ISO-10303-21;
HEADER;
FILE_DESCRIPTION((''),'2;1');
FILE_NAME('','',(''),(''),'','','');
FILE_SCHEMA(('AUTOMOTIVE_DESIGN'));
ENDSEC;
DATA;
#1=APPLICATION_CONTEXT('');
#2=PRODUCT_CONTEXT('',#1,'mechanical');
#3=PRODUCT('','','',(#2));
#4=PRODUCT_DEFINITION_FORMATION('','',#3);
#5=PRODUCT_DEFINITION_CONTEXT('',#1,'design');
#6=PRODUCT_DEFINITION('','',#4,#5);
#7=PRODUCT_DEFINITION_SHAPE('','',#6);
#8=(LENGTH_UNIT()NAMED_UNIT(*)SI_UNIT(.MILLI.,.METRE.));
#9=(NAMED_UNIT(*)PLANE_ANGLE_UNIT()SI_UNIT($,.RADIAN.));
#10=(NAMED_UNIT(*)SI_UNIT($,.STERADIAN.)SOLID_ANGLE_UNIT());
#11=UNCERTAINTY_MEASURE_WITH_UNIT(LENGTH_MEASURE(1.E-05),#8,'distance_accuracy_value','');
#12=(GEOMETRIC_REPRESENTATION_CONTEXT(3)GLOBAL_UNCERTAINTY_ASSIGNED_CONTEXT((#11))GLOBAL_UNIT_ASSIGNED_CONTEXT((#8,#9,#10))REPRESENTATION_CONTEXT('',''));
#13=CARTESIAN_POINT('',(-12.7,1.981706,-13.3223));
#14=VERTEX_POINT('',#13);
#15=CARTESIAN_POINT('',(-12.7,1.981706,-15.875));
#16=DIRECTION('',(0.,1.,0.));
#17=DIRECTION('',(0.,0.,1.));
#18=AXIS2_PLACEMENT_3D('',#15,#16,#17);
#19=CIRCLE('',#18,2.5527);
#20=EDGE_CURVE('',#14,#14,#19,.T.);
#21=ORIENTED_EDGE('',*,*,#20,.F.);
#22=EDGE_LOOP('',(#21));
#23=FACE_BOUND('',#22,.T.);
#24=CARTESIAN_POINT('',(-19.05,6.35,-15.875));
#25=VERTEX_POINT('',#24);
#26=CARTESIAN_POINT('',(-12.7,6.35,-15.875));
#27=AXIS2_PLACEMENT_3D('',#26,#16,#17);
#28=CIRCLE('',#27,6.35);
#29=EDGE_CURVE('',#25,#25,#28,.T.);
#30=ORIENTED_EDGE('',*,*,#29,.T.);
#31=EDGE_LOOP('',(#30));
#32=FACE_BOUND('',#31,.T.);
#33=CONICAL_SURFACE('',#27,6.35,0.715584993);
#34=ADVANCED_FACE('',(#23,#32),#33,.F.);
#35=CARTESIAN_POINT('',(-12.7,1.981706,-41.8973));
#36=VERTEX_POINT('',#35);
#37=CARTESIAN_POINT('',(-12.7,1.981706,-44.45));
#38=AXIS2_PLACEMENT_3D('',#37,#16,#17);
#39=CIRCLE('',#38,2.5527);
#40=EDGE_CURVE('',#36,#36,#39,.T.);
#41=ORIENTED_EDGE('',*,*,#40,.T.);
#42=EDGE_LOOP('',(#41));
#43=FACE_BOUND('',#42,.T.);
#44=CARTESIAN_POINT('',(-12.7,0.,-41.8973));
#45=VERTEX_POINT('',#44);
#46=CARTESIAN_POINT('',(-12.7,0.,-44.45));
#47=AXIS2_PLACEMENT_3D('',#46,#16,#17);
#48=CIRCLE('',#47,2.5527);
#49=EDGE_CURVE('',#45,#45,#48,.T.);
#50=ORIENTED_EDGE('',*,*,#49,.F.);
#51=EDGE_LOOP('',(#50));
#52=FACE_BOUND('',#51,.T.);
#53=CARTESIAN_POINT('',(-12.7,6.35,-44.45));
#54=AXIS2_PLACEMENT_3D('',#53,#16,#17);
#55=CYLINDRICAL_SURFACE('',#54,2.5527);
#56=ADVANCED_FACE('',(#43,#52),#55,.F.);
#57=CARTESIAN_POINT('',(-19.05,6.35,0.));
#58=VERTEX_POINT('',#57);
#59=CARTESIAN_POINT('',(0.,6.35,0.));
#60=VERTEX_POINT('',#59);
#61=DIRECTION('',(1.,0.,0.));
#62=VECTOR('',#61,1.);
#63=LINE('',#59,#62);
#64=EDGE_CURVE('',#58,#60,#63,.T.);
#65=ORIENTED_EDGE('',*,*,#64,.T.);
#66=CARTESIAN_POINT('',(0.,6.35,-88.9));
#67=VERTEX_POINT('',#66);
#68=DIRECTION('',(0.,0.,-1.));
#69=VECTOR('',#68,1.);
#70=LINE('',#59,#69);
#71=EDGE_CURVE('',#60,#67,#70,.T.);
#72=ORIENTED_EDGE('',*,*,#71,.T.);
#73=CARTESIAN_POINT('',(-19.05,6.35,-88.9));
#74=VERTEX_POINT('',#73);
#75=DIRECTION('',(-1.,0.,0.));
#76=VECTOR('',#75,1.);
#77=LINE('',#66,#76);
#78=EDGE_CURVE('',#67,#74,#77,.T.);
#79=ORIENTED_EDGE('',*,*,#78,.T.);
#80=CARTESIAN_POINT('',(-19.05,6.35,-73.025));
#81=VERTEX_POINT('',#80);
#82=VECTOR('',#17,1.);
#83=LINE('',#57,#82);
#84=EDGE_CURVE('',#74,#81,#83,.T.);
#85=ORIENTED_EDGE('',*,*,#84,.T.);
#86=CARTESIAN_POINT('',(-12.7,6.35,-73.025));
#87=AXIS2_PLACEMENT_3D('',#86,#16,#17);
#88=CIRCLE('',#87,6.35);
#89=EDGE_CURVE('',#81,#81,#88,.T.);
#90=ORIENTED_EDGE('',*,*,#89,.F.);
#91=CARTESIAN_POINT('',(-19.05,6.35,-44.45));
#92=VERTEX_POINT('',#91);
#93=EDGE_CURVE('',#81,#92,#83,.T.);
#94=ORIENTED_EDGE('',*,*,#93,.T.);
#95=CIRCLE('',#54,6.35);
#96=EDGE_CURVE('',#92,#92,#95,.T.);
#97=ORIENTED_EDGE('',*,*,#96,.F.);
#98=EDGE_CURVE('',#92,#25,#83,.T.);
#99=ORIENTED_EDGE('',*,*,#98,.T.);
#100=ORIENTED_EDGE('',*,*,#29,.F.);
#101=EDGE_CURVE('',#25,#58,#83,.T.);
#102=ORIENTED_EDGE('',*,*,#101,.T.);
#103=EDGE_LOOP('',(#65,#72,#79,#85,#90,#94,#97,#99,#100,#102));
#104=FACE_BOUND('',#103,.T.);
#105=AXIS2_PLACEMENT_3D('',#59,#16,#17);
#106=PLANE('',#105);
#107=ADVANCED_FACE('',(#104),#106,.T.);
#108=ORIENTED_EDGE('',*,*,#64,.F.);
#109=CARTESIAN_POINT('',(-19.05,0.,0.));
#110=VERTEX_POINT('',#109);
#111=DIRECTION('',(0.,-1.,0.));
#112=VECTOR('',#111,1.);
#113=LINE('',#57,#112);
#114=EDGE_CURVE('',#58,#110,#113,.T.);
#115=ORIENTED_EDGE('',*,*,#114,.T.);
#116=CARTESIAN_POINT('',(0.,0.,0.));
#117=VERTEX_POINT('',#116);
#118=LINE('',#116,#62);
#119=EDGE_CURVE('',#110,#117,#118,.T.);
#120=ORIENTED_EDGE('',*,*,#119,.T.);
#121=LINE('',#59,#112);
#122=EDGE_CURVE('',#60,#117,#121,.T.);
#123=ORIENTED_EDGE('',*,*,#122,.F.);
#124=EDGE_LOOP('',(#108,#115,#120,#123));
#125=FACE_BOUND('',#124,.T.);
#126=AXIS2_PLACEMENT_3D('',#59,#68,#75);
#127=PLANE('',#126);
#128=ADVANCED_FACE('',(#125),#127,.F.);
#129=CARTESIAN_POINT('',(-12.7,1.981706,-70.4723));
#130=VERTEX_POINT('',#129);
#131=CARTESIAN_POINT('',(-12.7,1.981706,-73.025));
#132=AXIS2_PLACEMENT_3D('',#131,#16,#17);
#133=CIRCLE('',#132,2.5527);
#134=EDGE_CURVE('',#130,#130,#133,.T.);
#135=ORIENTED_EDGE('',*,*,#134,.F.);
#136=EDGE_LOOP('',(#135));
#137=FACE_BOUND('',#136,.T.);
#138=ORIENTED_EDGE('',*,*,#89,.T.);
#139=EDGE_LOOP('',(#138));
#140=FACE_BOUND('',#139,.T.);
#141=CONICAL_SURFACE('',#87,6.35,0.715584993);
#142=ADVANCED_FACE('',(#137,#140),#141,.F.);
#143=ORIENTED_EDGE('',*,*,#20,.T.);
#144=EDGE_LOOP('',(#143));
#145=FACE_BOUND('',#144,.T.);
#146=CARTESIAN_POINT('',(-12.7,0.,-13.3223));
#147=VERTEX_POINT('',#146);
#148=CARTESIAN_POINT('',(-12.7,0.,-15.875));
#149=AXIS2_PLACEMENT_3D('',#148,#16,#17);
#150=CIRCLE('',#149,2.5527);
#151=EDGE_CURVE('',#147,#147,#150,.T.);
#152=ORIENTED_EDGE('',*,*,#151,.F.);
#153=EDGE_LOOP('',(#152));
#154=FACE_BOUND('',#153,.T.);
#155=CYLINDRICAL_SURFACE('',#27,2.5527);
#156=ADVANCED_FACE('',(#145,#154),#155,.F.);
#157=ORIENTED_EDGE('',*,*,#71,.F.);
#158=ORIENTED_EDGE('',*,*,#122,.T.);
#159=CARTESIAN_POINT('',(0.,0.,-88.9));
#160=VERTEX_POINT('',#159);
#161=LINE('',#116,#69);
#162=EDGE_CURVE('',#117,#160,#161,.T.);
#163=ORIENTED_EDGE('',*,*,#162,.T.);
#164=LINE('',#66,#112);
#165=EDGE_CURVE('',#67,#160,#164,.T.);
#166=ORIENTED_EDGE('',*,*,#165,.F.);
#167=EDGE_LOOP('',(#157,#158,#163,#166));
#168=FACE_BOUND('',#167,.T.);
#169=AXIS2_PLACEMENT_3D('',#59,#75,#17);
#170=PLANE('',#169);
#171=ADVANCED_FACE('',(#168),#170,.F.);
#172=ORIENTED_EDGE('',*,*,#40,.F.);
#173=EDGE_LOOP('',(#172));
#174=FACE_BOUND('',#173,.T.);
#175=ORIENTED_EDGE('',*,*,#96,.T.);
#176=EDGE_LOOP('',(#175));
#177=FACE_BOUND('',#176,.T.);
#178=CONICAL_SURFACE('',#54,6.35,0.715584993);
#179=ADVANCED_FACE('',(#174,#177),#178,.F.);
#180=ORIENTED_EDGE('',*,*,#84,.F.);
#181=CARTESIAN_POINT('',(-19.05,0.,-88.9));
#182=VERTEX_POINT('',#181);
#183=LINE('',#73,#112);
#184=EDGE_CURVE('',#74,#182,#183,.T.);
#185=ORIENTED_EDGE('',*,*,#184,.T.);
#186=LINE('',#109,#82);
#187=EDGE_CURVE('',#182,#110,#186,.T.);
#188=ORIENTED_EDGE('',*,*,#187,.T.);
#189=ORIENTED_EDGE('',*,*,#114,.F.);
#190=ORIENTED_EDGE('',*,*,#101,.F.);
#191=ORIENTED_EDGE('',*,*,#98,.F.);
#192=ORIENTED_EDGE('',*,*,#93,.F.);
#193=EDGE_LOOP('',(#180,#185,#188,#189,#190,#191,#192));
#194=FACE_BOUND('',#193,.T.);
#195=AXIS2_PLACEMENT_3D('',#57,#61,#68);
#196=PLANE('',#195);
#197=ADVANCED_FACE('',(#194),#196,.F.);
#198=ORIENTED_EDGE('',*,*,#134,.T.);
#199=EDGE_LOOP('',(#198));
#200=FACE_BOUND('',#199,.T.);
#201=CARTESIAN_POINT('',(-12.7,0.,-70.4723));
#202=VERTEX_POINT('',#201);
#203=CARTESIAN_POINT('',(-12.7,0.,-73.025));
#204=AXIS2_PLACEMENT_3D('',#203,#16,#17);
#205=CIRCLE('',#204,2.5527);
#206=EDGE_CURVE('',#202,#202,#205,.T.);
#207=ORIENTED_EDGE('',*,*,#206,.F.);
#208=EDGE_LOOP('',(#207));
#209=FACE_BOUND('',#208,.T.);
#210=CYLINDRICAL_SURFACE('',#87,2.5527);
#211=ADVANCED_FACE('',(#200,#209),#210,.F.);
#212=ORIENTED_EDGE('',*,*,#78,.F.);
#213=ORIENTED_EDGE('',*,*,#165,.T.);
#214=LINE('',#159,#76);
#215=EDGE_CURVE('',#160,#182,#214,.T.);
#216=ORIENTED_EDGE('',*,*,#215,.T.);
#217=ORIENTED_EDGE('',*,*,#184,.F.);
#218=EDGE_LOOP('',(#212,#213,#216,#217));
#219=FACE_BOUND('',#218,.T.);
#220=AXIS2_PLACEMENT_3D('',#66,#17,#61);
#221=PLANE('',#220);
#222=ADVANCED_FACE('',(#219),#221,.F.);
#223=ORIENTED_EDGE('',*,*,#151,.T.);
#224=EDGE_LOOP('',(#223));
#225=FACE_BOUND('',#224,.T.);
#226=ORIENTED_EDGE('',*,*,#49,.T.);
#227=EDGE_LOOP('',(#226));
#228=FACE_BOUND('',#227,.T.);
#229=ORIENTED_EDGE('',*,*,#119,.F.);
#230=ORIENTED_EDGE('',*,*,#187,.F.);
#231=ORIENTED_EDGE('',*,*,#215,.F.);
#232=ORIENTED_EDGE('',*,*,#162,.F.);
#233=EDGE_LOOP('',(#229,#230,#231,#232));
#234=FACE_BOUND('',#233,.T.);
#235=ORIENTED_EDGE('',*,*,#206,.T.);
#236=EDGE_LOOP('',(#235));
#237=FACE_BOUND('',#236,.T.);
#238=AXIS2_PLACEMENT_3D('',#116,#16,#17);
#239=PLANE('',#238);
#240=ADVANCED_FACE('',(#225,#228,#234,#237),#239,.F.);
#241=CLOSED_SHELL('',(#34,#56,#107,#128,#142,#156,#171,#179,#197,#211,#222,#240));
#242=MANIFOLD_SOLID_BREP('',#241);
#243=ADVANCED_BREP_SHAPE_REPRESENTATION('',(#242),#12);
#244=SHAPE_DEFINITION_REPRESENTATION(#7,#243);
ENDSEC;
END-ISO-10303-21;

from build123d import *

# Parameters (mm, degrees)
SKETCH1_W                        = 19.05
SKETCH1_H                        = 88.9
BOSS_EXTRUDE1_DEPTH              = 6.35
F_1_4_20_TAPPED_HOLE1_AT_2_COUNT = 2
F_1_4_20_TAPPED_HOLE1_AT_2_PITCH = 28.575
F_1_4_20_TAPPED_HOLE1_AT_3_COUNT = 2
F_1_4_20_TAPPED_HOLE1_AT_3_PITCH = 57.15


with BuildPart() as part:
    # Sketch1 → Boss-Extrude1 (new body)
    with BuildSketch(Plane(origin=(0, 0, 0), x_dir=(1, 0, 0), z_dir=(0, 1, 0))):
        with Locations((-9.525, 44.45)):
            Rectangle(SKETCH1_W, SKETCH1_H)
    extrude(amount=BOSS_EXTRUDE1_DEPTH)

    # Sketch3 → 1/4-20 Tapped Hole1 (revolve, cut)
    with BuildSketch(Plane(origin=(-12.7, 6.35, -15.875), x_dir=(0, 0, 1), z_dir=(1, 0, 0))):
        Polygon((0, 0), (0, 6.35), (2.5527, 6.35), (2.5527, 4.368293953), (6.35, 0), align=None)
    f_1_4_20_tapped_hole1 = revolve(axis=Axis((-12.7, 12.7, -15.875), (0, -1, 0)), mode=Mode.SUBTRACT)

    # 1/4-20 Tapped Hole1 at 2: 1/4-20 Tapped Hole1 ×2
    with Locations(*[(0, 0, -i * F_1_4_20_TAPPED_HOLE1_AT_2_PITCH) for i in range(1, F_1_4_20_TAPPED_HOLE1_AT_2_COUNT)]):
        add(f_1_4_20_tapped_hole1, mode=Mode.SUBTRACT)

    # 1/4-20 Tapped Hole1 at 3: 1/4-20 Tapped Hole1 ×2
    with Locations(*[(0, 0, -i * F_1_4_20_TAPPED_HOLE1_AT_3_PITCH) for i in range(1, F_1_4_20_TAPPED_HOLE1_AT_3_COUNT)]):
        add(f_1_4_20_tapped_hole1, mode=Mode.SUBTRACT)


solid = part.part
